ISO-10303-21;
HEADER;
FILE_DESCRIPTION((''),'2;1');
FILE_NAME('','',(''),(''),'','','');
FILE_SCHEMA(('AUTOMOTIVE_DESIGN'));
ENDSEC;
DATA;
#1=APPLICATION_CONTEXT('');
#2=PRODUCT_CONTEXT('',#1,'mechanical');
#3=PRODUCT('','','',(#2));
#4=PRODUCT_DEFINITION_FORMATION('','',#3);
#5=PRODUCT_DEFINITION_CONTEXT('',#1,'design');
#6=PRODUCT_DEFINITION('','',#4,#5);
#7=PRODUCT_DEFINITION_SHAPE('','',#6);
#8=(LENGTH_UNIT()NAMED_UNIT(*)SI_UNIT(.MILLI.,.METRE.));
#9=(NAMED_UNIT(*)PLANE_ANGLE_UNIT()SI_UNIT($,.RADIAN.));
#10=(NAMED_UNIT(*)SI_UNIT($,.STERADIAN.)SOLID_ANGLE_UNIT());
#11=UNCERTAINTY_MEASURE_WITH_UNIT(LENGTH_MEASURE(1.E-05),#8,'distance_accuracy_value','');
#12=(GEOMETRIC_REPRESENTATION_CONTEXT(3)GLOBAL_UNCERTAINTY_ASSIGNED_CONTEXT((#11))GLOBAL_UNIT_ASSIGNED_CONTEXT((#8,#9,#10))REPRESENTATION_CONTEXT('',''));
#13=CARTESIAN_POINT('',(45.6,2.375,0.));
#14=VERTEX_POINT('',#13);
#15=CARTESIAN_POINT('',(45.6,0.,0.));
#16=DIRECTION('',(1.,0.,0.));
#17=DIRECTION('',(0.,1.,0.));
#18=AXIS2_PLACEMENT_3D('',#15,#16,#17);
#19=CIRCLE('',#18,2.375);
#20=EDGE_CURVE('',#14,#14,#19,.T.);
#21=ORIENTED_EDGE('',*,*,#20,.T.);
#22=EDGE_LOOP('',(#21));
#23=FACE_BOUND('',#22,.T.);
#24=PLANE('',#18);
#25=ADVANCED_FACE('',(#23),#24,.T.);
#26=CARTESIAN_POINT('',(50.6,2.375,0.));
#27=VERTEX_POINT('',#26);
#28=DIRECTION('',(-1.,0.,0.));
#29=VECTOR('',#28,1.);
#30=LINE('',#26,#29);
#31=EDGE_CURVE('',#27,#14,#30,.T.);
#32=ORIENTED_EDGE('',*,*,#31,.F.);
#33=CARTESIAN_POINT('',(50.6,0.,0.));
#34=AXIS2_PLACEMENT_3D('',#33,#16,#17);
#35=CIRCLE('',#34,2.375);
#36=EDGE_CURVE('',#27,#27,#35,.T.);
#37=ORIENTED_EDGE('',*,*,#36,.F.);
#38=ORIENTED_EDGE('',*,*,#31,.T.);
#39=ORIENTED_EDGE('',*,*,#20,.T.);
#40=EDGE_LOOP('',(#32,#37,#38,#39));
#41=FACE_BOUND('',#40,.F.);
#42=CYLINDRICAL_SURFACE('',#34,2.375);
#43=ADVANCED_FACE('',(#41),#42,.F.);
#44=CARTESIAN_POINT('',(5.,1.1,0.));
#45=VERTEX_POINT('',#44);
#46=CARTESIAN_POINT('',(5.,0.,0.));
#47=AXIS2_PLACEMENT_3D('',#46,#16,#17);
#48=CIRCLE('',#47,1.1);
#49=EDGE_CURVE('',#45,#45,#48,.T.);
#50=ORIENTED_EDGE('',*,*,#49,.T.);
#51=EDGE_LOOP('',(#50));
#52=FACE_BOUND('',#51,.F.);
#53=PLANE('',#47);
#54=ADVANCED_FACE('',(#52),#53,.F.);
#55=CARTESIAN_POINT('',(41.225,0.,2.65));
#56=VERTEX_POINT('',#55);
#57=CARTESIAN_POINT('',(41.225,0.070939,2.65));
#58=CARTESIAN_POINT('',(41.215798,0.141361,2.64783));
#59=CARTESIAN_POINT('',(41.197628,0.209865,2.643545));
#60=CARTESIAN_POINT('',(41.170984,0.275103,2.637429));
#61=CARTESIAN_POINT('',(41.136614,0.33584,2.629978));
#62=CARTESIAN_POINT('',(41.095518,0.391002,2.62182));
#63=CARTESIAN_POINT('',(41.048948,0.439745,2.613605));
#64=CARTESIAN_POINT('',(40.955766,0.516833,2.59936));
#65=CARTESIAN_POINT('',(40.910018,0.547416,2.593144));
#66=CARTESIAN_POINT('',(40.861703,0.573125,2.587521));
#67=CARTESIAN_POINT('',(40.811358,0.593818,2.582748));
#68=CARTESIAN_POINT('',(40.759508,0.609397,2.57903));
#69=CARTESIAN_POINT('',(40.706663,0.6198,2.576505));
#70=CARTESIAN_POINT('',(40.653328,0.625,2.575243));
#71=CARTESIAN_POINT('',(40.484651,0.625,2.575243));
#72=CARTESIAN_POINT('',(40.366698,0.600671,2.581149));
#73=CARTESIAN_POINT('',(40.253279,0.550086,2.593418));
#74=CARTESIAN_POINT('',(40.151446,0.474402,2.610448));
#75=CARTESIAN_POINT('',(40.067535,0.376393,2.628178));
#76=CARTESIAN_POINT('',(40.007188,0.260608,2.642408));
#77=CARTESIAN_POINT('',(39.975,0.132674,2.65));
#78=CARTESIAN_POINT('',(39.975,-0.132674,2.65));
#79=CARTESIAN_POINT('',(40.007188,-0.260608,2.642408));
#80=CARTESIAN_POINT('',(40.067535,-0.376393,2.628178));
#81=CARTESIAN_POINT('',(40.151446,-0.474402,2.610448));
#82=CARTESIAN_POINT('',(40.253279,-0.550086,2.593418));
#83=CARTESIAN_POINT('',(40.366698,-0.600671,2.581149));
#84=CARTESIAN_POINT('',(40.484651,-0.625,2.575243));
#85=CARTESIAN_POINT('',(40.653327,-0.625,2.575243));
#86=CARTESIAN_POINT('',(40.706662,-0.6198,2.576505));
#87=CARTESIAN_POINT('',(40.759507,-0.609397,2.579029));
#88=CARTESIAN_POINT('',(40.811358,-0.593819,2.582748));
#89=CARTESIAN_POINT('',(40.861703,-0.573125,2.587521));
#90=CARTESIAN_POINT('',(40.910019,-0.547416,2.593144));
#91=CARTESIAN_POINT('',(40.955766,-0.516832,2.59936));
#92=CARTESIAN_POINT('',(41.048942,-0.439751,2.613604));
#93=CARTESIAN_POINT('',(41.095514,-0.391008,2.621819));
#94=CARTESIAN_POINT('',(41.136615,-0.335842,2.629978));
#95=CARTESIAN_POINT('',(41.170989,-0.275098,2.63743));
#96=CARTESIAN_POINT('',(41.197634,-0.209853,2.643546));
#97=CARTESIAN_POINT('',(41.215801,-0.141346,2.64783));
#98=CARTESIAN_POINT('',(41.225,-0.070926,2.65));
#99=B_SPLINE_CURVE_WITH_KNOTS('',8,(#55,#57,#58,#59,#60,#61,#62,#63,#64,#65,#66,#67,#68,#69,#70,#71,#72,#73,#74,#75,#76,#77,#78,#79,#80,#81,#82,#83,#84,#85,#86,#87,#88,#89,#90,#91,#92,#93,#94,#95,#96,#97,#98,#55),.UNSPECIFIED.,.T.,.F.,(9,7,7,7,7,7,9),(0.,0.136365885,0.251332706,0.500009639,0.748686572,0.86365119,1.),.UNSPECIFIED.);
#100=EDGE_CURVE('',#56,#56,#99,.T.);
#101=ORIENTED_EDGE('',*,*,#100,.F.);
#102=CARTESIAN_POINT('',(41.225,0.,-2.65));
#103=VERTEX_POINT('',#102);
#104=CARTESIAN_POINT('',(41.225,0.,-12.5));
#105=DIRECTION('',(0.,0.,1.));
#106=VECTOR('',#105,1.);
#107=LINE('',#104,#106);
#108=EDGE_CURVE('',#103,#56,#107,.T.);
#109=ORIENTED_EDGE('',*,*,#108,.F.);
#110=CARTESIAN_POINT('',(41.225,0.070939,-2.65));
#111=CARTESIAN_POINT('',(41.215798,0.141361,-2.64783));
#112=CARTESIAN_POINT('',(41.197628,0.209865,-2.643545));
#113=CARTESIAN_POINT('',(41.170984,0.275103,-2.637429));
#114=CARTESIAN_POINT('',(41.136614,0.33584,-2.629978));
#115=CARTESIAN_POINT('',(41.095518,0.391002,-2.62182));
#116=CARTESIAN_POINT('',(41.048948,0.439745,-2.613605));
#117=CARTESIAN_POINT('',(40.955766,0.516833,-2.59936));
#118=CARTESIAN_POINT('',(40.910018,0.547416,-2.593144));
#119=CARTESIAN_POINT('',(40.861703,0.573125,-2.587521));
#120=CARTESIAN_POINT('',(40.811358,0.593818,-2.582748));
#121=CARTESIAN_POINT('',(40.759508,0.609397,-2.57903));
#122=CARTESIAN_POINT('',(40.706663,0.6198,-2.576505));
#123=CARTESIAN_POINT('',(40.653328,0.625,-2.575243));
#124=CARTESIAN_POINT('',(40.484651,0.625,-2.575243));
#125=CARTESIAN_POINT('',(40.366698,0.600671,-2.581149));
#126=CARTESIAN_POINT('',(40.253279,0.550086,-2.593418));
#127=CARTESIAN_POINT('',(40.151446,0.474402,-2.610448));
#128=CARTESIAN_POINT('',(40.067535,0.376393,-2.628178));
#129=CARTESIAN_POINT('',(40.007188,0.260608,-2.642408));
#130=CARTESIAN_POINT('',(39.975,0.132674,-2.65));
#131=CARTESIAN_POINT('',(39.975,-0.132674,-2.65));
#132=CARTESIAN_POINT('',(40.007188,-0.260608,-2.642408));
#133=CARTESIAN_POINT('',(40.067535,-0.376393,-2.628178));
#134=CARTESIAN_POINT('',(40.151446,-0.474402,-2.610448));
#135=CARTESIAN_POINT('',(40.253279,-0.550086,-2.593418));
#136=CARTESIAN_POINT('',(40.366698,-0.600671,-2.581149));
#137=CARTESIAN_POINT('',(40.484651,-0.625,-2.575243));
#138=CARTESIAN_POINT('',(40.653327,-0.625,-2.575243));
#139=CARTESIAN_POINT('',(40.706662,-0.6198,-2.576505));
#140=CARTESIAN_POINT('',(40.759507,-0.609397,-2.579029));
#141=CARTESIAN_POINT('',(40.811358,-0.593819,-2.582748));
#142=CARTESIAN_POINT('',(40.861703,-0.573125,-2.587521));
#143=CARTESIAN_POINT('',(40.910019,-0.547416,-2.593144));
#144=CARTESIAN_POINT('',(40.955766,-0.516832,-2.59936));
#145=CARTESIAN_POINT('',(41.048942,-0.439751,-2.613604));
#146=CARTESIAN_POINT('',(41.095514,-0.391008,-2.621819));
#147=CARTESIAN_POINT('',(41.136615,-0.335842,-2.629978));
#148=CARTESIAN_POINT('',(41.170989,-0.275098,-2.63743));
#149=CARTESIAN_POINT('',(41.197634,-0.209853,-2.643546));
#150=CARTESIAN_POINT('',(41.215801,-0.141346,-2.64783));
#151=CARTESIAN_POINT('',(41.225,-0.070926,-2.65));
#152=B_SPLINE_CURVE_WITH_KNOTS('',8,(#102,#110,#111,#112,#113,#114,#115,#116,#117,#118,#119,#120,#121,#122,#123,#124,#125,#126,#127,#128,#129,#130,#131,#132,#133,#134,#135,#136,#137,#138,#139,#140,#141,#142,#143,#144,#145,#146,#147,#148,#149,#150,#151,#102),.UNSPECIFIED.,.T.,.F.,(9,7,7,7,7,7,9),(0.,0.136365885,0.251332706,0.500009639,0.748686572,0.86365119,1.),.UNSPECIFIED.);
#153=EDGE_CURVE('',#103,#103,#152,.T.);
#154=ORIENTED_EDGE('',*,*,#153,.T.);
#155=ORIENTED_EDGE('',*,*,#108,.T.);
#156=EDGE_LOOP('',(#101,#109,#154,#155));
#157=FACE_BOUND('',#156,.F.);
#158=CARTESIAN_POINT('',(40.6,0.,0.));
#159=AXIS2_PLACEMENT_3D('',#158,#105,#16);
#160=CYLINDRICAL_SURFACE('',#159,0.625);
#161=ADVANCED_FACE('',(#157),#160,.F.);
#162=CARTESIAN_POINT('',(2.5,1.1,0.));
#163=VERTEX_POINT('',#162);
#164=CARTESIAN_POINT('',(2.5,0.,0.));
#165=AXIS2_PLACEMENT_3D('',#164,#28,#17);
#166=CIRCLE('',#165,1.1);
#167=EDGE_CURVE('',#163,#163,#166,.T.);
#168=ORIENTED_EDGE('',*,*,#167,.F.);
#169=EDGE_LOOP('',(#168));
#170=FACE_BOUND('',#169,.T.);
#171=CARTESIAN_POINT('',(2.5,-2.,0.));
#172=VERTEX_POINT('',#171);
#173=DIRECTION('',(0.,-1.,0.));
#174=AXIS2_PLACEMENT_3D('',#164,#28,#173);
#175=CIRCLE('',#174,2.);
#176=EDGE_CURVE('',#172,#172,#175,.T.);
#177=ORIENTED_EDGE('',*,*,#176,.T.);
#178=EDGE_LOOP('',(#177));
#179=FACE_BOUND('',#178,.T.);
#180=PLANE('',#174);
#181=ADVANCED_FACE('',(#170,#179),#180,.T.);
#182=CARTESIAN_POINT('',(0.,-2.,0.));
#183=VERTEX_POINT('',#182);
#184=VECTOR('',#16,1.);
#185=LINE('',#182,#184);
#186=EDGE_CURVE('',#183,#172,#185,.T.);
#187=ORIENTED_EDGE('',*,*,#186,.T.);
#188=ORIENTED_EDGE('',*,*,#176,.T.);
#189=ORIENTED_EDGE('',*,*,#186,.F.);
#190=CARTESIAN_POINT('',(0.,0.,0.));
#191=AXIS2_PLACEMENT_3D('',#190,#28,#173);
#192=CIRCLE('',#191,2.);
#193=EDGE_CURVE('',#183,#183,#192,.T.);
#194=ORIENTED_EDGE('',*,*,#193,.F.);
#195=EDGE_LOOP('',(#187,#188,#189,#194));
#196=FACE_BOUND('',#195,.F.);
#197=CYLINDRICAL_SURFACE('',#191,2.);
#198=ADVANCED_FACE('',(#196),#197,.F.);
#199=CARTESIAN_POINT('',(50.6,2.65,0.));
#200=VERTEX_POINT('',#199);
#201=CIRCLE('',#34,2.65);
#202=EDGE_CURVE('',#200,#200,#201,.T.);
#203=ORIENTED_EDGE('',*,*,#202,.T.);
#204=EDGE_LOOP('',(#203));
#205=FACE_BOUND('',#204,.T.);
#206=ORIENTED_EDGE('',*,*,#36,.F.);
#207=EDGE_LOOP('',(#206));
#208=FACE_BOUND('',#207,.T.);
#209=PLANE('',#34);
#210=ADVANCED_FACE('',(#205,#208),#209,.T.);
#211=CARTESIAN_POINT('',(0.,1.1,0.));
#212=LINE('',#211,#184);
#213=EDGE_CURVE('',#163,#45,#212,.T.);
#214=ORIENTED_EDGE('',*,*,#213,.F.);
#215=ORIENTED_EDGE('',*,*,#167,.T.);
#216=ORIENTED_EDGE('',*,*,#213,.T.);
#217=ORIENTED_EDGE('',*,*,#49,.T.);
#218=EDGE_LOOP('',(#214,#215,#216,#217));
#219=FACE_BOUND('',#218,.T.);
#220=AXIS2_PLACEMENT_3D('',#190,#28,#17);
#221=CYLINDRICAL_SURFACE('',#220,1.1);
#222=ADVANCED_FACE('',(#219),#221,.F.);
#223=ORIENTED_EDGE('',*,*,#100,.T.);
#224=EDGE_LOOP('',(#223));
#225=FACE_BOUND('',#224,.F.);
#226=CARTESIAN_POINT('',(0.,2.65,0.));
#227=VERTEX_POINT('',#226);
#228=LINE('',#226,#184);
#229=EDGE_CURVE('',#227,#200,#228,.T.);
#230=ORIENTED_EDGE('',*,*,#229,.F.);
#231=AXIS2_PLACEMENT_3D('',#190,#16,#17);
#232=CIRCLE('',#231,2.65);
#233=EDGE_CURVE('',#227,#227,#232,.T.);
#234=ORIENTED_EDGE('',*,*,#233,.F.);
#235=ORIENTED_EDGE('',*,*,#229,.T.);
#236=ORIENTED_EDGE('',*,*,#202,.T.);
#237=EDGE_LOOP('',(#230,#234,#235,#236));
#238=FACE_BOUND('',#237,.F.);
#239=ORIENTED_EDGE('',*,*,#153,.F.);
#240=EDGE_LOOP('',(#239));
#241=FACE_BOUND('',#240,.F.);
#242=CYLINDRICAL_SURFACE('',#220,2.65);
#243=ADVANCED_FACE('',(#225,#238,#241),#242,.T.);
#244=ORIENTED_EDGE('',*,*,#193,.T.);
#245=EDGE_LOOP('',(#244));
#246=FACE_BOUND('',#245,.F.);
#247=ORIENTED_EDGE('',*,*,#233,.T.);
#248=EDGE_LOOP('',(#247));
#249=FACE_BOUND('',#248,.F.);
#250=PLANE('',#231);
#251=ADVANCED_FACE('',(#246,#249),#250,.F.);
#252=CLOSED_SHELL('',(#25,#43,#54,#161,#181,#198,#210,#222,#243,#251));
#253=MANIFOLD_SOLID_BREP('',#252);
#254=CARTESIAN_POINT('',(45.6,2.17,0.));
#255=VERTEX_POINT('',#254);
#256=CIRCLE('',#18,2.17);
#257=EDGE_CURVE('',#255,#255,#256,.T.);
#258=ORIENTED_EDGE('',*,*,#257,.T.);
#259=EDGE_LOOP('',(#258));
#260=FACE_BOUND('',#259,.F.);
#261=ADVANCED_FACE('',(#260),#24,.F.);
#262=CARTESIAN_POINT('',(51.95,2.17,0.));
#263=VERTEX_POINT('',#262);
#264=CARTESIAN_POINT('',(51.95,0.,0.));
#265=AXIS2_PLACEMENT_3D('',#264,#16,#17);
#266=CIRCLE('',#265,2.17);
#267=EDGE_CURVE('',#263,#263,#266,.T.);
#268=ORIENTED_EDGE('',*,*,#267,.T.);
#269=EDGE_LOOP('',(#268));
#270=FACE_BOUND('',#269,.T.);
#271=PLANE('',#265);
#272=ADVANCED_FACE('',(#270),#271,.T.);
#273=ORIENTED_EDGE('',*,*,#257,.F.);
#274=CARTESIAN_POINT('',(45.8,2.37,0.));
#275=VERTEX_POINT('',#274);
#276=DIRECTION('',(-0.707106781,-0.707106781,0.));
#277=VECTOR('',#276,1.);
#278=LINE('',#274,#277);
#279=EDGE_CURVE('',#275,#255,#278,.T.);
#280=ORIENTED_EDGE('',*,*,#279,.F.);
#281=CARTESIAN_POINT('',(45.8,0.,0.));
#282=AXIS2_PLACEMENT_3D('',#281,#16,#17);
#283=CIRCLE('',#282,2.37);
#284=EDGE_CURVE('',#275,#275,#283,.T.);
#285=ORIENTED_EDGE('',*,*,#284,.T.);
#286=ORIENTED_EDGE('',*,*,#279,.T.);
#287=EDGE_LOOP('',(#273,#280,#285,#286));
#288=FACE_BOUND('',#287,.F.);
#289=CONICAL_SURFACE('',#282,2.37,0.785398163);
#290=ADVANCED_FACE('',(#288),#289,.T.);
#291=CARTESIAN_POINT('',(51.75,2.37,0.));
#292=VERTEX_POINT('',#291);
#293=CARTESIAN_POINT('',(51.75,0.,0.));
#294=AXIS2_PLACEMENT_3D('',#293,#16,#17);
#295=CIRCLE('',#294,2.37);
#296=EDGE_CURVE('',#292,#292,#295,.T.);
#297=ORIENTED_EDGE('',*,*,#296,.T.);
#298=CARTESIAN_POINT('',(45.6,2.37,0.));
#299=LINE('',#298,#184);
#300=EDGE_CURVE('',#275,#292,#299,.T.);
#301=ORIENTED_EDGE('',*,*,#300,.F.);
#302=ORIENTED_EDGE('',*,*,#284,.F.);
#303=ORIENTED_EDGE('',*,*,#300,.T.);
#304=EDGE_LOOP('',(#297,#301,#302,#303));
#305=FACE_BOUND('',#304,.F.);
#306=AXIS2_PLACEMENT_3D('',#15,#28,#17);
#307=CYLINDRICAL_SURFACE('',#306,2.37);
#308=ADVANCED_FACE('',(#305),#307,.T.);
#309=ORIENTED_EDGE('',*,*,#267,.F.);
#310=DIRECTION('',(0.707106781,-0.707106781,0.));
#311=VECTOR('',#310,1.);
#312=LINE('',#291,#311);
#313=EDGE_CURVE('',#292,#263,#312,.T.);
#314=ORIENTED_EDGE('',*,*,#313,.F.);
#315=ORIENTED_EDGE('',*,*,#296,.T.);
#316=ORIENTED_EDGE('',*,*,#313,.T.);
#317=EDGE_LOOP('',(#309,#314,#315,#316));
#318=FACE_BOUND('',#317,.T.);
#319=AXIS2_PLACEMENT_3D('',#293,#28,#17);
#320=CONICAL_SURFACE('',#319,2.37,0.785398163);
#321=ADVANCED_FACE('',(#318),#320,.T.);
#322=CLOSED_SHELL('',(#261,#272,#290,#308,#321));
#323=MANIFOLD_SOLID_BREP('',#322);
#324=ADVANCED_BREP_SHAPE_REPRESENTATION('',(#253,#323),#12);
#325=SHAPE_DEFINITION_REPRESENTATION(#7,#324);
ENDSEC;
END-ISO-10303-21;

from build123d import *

# Parameters (mm, degrees)
F0_R      = 2.65
F1_DEPTH  = 50.6
F2_R      = 1.1
F3_DEPTH  = 5
F4_R      = 0.625
F5_DEPTH  = 12.5
F6_R      = 2
F7_DEPTH  = 2.5
F8_R      = 2.375
F9_DEPTH  = 5
F10_R     = 2.37
F11_DEPTH = 6.35
F12_SIZE  = 0.2


with BuildPart() as f1:
    # F0 (on Right) → F1 (new body)
    with BuildSketch(Plane.YZ):
        Circle(F0_R)
    extrude(amount=F1_DEPTH)

    # F2 (on Right) → F3 (cut)
    with BuildSketch(Plane.YZ):
        Circle(F2_R)
    extrude(amount=F3_DEPTH, mode=Mode.SUBTRACT)

    # F4 (on Top) → F5 (cut, symmetric)
    with BuildSketch(Plane.XY):
        with Locations((40.6, 0)):
            Circle(F4_R)
    extrude(amount=F5_DEPTH, both=True, mode=Mode.SUBTRACT)

    # F6 (on face) → F7 (cut)
    with BuildSketch(Plane(origin=(0, 0, 0), x_dir=(0, -1, 0), z_dir=(-1, 0, 0))):
        Circle(F6_R)
    extrude(amount=-F7_DEPTH, mode=Mode.SUBTRACT)

    # F8 (on face) → F9 (cut)
    with BuildSketch(Plane.YZ.offset(50.6)):
        Circle(F8_R)
    extrude(amount=-F9_DEPTH, mode=Mode.SUBTRACT)


with BuildPart() as f11:
    # F10 (on face) → F11 (new body)
    with BuildSketch(Plane.YZ.offset(45.6)):
        Circle(F10_R)
    extrude(amount=F11_DEPTH)

    # F12
    f12_edges = [f11.edges().sort_by_distance(p)[0] for p in [
        (51.95, -2.37, 0),
        (45.6, -2.37, 0),
    ]]
    chamfer(f12_edges, length=F12_SIZE)


solid = Compound([f1.part, f11.part])
